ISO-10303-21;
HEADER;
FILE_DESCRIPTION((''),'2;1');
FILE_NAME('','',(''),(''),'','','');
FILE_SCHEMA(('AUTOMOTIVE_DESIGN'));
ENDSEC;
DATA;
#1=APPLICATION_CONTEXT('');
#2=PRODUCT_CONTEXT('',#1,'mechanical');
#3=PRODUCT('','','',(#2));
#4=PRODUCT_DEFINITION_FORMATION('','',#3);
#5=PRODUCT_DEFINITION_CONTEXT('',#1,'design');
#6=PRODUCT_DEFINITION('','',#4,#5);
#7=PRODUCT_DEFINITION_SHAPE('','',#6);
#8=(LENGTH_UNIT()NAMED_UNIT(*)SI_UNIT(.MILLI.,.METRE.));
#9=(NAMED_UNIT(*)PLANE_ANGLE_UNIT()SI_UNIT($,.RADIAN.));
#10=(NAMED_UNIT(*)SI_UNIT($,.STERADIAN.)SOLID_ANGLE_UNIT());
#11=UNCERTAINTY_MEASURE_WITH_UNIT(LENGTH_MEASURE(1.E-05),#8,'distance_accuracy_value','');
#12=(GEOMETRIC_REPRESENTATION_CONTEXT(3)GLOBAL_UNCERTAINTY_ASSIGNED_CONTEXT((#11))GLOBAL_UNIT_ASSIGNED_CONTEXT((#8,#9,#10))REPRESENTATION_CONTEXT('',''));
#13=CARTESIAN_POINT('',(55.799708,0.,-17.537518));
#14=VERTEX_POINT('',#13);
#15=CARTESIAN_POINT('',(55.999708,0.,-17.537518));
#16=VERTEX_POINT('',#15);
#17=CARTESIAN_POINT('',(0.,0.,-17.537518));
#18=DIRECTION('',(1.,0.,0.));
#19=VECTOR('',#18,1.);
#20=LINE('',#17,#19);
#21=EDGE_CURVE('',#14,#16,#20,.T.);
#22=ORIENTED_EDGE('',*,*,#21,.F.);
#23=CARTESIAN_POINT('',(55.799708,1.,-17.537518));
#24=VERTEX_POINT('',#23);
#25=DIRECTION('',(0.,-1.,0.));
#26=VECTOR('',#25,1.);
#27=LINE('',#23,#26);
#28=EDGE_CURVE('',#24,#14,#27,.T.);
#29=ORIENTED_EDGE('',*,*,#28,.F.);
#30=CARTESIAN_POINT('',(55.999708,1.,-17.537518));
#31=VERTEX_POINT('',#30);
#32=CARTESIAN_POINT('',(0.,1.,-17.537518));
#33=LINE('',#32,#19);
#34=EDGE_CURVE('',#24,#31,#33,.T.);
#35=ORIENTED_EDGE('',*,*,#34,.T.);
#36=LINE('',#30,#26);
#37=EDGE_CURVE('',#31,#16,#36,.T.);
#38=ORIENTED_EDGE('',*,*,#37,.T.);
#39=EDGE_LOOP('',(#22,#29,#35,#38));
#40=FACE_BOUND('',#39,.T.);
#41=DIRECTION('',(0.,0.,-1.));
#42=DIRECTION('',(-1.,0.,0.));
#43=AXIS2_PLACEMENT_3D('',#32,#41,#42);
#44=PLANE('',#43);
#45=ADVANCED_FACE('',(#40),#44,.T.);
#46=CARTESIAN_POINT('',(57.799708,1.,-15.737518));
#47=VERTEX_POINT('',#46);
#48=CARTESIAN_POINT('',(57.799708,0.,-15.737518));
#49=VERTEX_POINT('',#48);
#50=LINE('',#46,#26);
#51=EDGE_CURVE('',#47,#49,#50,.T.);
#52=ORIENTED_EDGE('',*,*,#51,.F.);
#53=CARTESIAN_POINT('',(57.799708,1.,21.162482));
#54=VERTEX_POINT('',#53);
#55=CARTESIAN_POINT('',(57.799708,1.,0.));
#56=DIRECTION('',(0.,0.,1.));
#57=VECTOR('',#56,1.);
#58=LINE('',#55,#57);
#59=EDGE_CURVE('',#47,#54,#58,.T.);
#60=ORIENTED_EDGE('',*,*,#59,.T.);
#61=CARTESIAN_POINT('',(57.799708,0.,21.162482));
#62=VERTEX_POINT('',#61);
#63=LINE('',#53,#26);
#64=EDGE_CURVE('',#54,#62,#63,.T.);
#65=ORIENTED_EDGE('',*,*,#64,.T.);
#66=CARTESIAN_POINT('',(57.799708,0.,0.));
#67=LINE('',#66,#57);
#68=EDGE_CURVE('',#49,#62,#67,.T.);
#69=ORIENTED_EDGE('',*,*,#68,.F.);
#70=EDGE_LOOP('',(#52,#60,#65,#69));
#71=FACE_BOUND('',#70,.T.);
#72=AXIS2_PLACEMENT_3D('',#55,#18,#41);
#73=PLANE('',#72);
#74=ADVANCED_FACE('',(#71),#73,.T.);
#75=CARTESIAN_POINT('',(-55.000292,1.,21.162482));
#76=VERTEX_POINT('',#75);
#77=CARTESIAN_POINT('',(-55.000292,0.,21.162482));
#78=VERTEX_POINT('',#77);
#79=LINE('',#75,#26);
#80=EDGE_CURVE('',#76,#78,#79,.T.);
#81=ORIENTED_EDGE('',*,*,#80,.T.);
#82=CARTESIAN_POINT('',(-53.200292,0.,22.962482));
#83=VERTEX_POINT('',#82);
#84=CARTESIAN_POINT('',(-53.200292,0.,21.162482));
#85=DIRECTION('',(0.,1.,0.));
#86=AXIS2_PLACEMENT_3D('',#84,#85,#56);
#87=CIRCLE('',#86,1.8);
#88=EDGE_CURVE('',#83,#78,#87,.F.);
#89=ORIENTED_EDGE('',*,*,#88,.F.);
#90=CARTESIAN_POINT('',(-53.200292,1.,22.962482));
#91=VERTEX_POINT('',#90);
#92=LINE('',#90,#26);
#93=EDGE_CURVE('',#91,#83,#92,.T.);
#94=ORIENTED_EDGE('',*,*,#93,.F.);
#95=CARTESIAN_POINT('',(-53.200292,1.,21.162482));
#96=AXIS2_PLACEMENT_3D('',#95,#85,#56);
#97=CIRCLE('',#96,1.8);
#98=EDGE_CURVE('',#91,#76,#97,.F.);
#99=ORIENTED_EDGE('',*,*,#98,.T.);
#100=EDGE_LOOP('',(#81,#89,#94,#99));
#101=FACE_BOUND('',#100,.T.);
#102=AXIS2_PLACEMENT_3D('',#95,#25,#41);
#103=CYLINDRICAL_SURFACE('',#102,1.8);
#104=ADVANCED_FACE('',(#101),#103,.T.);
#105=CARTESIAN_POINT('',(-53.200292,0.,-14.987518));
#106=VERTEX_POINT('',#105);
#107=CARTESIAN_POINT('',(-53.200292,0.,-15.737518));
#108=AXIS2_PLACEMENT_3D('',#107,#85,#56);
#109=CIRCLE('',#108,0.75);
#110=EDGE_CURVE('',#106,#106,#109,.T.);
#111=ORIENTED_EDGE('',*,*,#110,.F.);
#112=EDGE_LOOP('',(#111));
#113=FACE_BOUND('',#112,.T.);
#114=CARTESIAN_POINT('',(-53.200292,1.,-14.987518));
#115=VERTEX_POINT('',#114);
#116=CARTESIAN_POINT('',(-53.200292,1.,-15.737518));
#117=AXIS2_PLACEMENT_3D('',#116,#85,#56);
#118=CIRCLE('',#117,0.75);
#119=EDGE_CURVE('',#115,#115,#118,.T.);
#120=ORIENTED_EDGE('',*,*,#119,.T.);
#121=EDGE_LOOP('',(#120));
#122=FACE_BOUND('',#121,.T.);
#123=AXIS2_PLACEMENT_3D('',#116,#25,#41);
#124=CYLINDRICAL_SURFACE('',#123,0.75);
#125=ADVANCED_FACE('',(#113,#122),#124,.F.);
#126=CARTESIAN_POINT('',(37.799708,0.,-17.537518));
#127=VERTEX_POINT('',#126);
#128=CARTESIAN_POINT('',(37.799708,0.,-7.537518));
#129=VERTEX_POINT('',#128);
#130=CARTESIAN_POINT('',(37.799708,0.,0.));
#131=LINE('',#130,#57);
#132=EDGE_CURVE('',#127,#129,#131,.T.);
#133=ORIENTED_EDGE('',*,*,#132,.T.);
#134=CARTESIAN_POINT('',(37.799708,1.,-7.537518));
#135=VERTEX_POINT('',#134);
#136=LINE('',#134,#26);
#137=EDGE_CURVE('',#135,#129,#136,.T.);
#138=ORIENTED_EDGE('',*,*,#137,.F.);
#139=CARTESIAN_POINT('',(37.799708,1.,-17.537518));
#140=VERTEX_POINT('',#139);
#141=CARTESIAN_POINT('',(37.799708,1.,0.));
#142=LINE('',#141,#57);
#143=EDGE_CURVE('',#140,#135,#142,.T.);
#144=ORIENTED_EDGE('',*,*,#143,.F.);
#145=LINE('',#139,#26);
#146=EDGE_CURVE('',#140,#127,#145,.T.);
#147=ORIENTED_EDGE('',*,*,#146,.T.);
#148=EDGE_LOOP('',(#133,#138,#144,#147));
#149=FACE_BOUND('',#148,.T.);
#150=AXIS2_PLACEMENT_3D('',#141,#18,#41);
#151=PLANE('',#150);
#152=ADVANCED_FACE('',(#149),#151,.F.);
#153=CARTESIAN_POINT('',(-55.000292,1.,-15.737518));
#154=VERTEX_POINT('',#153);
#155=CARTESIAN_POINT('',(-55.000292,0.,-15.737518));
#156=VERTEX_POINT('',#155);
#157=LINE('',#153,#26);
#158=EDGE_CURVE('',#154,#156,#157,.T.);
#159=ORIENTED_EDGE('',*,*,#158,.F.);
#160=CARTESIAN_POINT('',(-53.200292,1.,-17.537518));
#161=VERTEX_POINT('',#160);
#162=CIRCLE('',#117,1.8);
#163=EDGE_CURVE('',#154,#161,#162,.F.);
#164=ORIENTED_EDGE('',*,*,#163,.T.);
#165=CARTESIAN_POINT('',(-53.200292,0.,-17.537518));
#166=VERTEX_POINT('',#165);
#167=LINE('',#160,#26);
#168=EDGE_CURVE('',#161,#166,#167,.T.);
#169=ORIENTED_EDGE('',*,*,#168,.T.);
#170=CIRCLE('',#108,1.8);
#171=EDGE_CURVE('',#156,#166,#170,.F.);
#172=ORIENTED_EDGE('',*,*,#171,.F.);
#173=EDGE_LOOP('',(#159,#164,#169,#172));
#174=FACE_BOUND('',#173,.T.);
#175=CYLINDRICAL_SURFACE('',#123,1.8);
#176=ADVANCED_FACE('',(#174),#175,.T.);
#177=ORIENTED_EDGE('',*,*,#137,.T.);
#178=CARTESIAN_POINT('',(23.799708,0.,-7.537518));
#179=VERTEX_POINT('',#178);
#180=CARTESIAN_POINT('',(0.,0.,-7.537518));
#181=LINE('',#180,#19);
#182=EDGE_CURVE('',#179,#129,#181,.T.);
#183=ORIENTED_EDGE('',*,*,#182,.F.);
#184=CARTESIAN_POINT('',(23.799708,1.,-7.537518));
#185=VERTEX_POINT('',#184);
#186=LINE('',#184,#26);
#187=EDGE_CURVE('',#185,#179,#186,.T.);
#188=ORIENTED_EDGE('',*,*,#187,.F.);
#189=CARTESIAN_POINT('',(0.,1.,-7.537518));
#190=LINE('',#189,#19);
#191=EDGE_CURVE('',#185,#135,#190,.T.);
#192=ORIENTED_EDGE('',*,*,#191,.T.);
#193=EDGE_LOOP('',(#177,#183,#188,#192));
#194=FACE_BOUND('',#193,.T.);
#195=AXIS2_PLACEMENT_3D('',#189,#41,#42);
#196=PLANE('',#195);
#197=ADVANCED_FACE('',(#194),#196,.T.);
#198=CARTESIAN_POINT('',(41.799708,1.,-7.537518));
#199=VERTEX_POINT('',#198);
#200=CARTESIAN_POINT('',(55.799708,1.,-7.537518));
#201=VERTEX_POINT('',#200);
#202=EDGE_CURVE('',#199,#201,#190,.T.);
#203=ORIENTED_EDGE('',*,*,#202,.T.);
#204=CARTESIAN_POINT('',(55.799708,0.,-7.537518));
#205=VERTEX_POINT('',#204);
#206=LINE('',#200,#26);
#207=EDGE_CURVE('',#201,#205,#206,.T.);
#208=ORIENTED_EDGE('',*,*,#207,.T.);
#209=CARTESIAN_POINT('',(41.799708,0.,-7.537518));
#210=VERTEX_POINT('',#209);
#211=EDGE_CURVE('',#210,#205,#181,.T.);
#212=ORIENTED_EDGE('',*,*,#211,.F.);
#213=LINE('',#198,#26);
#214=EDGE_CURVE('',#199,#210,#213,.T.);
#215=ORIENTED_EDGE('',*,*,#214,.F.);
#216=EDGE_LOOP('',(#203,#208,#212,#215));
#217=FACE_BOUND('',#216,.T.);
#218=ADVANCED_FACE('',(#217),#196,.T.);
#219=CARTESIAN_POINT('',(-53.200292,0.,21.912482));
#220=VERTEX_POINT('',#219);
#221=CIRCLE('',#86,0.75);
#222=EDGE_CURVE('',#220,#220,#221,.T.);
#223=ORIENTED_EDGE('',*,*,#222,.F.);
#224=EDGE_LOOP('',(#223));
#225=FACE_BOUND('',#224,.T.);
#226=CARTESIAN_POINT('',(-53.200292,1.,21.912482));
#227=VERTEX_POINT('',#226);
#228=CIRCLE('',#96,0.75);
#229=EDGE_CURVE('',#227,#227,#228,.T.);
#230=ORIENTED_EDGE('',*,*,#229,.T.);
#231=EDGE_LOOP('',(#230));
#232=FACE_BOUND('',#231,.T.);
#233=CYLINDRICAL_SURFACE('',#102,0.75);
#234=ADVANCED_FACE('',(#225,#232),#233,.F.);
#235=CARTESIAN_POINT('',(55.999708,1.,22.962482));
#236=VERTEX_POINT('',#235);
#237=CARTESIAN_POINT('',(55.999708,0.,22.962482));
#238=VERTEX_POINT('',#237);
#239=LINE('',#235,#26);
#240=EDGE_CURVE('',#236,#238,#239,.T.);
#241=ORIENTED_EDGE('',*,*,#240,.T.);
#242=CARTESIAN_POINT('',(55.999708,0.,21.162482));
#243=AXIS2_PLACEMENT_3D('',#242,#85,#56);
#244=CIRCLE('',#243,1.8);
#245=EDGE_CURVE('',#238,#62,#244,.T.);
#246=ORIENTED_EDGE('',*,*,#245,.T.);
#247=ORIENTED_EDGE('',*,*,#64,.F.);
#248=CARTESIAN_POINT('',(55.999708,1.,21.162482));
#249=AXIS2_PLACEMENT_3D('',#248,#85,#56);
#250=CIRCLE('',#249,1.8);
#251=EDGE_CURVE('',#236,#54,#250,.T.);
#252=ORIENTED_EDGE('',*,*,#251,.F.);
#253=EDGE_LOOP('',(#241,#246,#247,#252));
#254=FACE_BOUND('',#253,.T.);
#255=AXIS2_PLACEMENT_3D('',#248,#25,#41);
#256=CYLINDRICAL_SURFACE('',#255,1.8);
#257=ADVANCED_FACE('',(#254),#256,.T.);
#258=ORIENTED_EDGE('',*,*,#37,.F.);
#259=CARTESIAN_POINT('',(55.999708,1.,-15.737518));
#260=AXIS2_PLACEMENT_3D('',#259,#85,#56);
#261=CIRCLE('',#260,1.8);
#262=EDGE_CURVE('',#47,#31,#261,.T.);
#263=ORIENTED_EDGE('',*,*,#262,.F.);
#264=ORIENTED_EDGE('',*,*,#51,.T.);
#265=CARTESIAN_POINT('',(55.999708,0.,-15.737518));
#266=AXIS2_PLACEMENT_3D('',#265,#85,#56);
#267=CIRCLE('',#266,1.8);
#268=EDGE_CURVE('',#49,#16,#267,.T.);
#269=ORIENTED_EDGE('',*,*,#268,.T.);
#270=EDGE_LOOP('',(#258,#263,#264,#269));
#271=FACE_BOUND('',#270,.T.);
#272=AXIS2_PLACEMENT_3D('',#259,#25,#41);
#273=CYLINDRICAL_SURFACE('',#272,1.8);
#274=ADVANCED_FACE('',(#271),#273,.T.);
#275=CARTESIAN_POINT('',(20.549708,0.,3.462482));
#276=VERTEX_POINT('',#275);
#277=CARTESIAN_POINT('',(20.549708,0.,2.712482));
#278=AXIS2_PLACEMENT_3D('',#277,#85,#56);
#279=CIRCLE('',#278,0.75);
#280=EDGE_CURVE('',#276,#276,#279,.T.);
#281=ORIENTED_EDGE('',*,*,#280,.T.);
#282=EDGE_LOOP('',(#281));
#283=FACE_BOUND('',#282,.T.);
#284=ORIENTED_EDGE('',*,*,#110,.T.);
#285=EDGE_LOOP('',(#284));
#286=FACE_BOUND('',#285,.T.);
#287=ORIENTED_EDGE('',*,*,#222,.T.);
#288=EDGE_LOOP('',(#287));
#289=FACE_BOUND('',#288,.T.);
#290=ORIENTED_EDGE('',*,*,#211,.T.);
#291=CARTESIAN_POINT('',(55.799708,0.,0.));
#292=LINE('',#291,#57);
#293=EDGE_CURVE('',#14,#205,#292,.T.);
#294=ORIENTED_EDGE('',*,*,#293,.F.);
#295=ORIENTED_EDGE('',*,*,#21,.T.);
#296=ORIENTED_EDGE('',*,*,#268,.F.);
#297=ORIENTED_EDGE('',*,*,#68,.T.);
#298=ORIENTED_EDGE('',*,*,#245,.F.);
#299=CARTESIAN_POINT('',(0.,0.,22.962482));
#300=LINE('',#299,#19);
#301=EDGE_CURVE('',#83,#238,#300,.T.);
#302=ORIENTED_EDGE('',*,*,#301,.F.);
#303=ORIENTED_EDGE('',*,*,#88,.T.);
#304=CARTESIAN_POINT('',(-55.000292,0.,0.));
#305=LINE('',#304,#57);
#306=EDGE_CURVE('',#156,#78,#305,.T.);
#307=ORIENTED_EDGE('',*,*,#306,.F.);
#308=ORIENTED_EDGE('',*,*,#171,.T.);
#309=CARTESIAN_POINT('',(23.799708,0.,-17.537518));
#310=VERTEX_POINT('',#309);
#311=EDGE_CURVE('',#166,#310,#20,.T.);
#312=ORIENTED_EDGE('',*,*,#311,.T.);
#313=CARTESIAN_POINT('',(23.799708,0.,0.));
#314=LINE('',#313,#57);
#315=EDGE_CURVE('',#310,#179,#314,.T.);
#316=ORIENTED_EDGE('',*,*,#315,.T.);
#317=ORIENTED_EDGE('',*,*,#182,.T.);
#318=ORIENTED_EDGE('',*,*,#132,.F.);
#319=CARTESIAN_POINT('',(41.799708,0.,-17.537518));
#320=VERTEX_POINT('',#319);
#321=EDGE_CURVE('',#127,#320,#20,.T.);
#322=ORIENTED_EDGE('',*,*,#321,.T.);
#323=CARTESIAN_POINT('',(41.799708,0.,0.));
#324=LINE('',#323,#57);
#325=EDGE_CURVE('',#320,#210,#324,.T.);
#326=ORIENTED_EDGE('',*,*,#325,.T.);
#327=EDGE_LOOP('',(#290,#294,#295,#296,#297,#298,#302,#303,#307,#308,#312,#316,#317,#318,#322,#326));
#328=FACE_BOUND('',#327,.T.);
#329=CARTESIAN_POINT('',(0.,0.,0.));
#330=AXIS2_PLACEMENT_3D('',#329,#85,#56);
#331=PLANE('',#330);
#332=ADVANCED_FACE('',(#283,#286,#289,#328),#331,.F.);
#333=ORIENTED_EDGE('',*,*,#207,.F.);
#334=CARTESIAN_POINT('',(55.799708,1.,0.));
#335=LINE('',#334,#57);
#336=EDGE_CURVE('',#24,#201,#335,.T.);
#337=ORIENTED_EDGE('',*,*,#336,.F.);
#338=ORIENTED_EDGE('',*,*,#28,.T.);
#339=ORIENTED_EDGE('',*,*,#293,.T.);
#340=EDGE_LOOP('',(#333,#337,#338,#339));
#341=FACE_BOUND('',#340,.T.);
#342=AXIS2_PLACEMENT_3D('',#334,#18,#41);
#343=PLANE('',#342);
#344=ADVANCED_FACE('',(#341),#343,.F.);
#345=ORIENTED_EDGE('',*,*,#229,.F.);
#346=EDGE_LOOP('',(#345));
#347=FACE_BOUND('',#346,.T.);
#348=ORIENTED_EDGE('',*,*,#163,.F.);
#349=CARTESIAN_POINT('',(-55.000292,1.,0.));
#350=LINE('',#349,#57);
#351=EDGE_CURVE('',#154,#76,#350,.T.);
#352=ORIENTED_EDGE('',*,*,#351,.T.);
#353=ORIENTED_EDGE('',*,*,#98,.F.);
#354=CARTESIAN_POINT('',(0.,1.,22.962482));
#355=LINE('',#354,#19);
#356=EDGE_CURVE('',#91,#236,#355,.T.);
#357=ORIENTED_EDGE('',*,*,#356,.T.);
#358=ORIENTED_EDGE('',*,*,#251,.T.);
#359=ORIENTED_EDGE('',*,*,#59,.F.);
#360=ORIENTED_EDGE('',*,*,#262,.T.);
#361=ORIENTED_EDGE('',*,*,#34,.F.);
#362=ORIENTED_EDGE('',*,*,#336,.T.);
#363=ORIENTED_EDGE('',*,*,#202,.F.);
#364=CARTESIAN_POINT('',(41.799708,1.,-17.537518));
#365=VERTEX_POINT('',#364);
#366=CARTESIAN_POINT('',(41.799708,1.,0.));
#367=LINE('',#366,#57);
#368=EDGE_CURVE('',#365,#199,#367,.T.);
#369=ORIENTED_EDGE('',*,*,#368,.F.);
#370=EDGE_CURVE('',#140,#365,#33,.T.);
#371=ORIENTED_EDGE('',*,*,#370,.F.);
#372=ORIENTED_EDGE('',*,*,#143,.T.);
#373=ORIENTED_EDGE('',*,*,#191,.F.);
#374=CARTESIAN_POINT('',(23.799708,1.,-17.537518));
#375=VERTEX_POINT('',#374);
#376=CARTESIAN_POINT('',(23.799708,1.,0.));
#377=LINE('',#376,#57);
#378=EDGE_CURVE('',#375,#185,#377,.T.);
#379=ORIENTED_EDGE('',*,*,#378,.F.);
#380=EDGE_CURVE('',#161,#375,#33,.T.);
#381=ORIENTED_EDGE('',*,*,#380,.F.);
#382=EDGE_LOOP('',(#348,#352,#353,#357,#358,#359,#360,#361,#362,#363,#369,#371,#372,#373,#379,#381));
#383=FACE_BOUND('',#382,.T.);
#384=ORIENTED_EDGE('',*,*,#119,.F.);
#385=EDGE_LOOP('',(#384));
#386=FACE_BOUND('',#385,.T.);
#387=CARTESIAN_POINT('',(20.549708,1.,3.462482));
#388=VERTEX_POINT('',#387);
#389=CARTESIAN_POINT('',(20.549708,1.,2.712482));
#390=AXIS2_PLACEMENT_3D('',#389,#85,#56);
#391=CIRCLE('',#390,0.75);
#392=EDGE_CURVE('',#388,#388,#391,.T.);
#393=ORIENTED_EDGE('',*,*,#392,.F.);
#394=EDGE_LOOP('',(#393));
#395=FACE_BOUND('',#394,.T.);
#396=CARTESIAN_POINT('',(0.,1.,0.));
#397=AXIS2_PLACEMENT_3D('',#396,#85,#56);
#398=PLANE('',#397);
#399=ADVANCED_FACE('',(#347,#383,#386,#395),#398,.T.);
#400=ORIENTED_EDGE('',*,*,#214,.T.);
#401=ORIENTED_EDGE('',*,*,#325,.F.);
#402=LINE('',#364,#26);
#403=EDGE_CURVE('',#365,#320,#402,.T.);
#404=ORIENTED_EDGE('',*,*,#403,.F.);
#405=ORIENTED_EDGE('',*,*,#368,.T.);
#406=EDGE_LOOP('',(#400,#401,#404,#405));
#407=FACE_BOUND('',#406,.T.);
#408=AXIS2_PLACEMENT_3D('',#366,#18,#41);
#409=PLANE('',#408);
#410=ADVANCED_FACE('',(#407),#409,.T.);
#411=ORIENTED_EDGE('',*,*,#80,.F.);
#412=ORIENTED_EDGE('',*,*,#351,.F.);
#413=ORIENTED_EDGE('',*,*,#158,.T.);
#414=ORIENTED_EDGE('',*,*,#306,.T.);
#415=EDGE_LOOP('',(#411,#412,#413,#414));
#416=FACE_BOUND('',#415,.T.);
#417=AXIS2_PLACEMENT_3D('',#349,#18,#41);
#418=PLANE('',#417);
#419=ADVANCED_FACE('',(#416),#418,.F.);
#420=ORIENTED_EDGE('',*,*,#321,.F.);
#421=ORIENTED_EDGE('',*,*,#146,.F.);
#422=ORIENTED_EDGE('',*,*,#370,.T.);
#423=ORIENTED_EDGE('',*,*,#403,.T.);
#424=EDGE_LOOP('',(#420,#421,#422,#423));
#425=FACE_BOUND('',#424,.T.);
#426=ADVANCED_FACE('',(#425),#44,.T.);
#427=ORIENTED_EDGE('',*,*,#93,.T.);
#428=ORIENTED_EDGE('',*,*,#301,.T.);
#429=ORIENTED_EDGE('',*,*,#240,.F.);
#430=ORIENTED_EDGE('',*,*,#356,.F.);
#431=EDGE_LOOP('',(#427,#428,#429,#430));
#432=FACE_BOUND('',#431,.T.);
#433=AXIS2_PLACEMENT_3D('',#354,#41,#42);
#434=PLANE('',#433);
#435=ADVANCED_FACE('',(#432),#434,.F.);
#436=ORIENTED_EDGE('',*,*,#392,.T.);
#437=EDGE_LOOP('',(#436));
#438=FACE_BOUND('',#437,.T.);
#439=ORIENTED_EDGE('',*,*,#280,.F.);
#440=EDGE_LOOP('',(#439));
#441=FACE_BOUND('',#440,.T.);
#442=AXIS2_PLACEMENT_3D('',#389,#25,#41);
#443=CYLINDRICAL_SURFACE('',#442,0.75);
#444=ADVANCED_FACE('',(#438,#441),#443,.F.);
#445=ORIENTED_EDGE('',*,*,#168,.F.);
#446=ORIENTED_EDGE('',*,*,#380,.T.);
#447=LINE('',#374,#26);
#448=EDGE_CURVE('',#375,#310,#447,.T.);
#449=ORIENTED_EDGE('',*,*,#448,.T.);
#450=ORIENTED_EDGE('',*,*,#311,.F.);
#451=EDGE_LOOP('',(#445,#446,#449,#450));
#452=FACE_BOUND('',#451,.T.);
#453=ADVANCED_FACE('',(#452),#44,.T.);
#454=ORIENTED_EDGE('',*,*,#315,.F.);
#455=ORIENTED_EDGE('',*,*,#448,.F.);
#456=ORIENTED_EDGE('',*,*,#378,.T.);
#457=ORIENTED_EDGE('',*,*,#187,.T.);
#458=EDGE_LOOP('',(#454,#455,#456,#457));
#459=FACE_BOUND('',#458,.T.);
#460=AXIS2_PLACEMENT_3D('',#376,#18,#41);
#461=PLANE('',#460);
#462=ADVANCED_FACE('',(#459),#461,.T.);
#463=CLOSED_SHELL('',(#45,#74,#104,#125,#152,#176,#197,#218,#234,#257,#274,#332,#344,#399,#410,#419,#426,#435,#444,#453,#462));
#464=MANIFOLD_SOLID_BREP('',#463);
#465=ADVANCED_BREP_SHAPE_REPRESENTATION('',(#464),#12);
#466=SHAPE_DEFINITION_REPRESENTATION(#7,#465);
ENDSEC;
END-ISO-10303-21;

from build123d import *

# Parameters (mm, degrees)
SKETCH_1_R      = 0.75
EXTRUDE_2_DEPTH = 1


with BuildPart() as part:
    # 草图1 → 凸台-拉伸2 (new body)
    with BuildSketch(Plane(origin=(0, 0, 0), x_dir=(1, 0, 0), z_dir=(0, 1, 0))):
        with BuildLine():
            Line((23.799708029, 17.537518248), (-53.200291971, 17.537518248))
            ThreePointArc((-53.200291971, 17.537518248), (-54.473084177, 17.010310454), (-55.000291971, 15.737518248))
            Line((-55.000291971, 15.737518248), (-55.000291971, -21.162481752))
            ThreePointArc((-55.000291971, -21.162481752), (-54.473084177, -22.435273958), (-53.200291971, -22.962481752))
            Line((-53.200291971, -22.962481752), (55.999708029, -22.962481752))
            ThreePointArc((55.999708029, -22.962481752), (57.272500235, -22.435273958), (57.799708029, -21.162481752))
            Line((57.799708029, -21.162481752), (57.799708029, 15.737518248))
            ThreePointArc((57.799708029, 15.737518248), (57.272500235, 17.010310454), (55.999708029, 17.537518248))
            Line((55.999708029, 17.537518248), (55.799708029, 17.537518248))
            Line((55.799708029, 17.537518248), (55.799708029, 7.537518248))
            Line((55.799708029, 7.537518248), (41.799708029, 7.537518248))
            Line((41.799708029, 7.537518248), (41.799708029, 17.537518248))
            Line((41.799708029, 17.537518248), (37.799708029, 17.537518248))
            Line((37.799708029, 17.537518248), (37.799708029, 7.537518248))
            Line((37.799708029, 7.537518248), (23.799708029, 7.537518248))
            Line((23.799708029, 7.537518248), (23.799708029, 17.537518248))
        make_face()
        with Locations(Location((-53.200291971, -21.162481752, 0), (0, 0, 270))):
            Circle(SKETCH_1_R, mode=Mode.SUBTRACT)
        with Locations(Location((20.549708029, -2.712481752, 0), (0, 0, 270))):
            Circle(SKETCH_1_R, mode=Mode.SUBTRACT)
        with Locations(Location((-53.200291971, 15.737518248, 0), (0, 0, 270))):
            Circle(SKETCH_1_R, mode=Mode.SUBTRACT)
    extrude(amount=EXTRUDE_2_DEPTH)


solid = part.part
